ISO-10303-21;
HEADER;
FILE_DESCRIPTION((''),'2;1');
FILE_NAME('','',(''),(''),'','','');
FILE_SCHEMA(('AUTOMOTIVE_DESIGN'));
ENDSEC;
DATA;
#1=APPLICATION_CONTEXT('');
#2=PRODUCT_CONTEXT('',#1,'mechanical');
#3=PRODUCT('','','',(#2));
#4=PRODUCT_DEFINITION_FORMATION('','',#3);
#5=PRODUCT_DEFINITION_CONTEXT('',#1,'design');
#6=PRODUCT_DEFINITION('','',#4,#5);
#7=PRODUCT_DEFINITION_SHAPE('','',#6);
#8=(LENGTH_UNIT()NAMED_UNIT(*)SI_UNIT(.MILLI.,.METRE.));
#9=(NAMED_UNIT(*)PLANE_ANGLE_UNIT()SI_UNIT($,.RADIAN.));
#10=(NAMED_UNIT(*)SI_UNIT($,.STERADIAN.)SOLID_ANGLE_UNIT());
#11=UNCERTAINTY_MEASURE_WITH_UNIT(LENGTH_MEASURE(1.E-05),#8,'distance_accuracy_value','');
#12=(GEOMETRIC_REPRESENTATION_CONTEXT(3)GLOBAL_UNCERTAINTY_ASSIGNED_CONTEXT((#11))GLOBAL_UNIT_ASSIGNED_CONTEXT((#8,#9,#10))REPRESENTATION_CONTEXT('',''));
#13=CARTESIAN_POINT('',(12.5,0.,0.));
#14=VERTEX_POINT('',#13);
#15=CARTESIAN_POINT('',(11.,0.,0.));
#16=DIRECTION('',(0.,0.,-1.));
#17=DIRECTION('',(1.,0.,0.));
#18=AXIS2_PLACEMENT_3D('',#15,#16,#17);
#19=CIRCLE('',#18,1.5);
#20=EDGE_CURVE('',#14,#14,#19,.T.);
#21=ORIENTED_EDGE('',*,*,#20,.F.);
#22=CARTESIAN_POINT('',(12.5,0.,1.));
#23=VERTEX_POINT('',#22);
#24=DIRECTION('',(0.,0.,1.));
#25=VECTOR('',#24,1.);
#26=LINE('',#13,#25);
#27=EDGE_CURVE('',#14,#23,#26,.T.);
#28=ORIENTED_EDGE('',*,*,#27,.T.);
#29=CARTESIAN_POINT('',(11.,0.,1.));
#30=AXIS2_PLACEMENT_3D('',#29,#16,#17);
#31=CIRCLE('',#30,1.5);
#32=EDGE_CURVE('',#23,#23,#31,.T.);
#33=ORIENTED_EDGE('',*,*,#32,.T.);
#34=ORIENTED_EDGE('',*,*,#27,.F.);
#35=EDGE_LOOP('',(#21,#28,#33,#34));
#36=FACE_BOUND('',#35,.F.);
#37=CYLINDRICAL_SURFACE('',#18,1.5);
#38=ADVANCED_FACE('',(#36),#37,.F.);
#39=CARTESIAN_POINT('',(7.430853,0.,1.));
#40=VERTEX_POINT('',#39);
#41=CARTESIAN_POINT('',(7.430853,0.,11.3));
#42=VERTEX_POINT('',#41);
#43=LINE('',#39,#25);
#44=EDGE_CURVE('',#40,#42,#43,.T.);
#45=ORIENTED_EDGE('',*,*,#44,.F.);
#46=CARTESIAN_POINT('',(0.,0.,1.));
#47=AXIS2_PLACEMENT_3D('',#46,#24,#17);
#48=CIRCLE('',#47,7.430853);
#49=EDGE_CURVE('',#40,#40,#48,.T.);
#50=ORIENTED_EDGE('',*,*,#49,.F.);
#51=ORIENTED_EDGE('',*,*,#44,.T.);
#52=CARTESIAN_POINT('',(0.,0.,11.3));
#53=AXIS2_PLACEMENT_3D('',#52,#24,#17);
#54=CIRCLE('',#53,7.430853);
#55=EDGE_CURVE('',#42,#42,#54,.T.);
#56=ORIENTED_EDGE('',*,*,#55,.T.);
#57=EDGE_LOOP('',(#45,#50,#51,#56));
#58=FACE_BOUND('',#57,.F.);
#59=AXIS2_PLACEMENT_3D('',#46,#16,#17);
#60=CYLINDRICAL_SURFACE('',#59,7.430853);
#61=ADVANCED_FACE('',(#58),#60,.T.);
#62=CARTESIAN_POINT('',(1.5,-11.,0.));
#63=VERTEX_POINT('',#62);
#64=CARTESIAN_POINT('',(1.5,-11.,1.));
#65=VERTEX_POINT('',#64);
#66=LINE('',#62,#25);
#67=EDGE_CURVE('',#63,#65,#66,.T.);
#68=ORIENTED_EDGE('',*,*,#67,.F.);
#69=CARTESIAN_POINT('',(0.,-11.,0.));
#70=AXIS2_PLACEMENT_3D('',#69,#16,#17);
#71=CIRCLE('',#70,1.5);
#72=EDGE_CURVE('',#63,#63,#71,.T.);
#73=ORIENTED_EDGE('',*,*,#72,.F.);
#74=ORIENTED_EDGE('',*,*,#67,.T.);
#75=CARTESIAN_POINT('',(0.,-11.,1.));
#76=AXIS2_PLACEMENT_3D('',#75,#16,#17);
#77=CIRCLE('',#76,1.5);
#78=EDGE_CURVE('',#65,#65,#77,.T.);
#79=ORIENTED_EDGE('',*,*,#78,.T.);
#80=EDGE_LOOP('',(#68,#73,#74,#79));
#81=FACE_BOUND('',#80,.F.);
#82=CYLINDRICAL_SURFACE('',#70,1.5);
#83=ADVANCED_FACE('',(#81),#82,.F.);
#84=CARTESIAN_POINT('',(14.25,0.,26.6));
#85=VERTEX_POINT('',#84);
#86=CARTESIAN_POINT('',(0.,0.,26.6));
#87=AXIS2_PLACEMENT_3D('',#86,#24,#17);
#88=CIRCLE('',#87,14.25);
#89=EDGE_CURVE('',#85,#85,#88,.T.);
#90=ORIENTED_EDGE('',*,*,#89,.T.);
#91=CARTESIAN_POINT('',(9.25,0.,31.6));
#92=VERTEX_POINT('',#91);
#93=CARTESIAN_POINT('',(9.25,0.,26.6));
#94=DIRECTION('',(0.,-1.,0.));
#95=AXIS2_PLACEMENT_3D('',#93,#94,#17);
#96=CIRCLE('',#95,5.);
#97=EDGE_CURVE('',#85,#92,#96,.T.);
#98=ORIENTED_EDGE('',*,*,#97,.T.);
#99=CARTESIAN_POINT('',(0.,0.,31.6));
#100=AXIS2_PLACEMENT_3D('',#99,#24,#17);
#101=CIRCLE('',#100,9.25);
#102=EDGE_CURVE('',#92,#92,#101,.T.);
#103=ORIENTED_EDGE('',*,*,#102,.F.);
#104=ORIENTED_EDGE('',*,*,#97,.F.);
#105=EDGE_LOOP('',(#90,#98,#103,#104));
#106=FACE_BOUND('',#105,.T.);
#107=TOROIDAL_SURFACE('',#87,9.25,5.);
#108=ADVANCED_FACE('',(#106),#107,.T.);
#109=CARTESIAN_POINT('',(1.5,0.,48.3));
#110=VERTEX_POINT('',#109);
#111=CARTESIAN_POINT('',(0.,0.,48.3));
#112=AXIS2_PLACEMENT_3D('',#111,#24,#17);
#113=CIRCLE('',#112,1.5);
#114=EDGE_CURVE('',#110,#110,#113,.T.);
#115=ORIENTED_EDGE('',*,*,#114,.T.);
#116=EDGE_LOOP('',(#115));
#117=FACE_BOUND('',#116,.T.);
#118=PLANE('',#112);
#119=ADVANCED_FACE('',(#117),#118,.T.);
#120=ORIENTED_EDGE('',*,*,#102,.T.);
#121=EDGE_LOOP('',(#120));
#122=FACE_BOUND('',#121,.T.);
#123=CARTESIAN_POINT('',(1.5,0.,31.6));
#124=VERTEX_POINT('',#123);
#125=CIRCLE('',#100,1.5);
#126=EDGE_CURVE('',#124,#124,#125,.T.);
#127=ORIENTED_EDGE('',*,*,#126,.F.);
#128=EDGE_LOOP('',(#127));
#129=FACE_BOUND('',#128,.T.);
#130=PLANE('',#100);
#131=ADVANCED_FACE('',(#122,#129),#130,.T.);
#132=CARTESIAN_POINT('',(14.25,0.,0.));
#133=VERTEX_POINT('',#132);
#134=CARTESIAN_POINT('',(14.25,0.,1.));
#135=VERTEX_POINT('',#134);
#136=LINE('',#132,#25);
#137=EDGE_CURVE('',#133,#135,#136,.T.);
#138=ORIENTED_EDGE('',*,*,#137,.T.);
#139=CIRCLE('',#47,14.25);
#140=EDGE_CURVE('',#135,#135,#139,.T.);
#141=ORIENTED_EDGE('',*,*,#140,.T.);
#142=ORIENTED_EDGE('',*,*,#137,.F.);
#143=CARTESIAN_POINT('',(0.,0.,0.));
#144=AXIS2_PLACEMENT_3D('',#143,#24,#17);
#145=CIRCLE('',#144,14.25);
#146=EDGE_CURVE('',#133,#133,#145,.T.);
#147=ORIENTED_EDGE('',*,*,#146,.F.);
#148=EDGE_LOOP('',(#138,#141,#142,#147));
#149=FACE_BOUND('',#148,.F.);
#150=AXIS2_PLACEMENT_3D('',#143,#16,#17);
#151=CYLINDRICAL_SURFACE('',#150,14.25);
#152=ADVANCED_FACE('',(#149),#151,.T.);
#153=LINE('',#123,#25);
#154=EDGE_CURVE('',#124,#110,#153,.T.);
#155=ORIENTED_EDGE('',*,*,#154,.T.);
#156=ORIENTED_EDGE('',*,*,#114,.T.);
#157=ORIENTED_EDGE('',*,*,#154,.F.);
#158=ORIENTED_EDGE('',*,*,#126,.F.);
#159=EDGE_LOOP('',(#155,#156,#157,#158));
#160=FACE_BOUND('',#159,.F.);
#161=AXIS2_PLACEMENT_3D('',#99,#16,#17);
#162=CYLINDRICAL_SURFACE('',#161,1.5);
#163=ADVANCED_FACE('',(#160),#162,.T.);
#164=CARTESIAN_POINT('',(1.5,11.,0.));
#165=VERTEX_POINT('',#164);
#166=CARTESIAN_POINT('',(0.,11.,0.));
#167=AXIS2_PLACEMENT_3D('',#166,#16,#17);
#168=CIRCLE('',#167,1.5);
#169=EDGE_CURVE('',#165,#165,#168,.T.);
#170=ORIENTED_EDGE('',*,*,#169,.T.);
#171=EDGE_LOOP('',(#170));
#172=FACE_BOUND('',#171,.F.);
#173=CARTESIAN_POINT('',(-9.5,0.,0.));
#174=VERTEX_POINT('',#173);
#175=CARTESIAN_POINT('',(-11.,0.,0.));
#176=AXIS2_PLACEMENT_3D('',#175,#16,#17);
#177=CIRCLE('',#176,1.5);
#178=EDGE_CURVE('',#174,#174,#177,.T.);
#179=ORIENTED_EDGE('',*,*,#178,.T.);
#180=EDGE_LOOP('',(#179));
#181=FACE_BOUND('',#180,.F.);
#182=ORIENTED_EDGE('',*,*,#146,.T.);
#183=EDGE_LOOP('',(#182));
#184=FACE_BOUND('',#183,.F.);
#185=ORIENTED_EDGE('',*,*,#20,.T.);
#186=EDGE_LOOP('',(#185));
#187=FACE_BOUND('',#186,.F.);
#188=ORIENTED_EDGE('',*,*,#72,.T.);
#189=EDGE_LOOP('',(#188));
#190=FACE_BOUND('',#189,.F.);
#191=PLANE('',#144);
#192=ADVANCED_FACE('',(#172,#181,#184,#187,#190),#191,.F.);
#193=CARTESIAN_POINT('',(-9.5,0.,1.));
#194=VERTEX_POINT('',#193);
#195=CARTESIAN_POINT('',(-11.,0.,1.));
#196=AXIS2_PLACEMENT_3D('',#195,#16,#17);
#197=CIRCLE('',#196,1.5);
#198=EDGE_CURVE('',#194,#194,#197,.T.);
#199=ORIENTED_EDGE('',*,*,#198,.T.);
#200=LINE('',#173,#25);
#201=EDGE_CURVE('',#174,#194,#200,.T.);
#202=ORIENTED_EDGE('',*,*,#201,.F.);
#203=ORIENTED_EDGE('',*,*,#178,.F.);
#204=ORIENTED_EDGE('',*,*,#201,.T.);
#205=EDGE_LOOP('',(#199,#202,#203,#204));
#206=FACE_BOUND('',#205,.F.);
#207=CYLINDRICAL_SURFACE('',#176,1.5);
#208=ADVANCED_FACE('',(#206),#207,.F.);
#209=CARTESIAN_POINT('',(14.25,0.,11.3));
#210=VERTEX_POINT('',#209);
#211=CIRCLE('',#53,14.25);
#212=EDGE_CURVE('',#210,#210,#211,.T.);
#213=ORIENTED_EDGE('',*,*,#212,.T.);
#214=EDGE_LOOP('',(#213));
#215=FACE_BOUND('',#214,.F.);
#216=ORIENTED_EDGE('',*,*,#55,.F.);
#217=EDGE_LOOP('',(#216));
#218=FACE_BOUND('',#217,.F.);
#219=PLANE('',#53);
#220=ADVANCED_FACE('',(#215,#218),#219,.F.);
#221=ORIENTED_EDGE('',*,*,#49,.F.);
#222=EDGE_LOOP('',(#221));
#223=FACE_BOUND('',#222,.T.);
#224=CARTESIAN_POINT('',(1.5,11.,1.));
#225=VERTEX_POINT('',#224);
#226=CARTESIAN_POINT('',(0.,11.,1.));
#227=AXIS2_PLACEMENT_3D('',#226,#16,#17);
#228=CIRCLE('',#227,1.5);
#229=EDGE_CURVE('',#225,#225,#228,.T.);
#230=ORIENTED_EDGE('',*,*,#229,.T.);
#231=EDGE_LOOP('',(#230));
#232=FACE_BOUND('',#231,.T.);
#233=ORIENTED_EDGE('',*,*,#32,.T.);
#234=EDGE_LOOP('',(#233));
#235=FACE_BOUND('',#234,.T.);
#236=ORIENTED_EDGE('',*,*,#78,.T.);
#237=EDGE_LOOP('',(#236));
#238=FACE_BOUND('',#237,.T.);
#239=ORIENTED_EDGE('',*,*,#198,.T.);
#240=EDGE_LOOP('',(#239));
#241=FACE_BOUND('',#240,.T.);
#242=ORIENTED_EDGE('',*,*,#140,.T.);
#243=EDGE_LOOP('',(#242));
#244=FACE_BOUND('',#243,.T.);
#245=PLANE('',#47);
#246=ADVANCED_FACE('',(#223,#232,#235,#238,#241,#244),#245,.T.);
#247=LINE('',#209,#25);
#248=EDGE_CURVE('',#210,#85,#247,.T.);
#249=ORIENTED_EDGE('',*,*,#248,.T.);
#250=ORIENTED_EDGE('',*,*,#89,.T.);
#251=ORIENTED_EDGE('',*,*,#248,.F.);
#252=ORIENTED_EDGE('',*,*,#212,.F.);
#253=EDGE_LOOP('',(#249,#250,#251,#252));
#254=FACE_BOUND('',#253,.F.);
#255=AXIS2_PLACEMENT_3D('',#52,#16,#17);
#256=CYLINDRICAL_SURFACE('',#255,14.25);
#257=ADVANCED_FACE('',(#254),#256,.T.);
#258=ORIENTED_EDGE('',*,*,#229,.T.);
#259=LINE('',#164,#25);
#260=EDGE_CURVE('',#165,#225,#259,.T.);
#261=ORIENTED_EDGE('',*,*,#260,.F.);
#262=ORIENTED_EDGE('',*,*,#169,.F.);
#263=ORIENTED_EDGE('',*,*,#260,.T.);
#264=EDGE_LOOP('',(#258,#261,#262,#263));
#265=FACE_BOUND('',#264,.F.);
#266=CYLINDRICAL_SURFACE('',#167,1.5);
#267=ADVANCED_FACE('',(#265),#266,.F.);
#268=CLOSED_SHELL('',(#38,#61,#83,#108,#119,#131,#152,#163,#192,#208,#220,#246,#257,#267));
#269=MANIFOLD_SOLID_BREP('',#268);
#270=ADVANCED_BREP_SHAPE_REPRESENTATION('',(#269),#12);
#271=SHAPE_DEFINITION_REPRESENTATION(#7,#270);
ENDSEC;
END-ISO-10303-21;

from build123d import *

# Parameters (mm, degrees)
F0_R      = 14.25
F1_DEPTH  = 1
F2_R      = 7.430853
F3_DEPTH  = 10.3
F4_R      = 14.25
F5_DEPTH  = 20.3
F6_R      = 5
F7_R      = 1.5
F8_DEPTH  = 16.7
F9_R      = 1.5
F10_DEPTH = 1


with BuildPart() as f1:
    # F0 (on Top) → F1 (new body)
    with BuildSketch(Plane.XY):
        Circle(F0_R)
    extrude(amount=F1_DEPTH)

    # F2 (on face) → F3 (join)
    with BuildSketch(Plane.XY.offset(1)):
        Circle(F2_R)
    extrude(amount=F3_DEPTH)

    # F4 (on face) → F5 (join)
    with BuildSketch(Plane.XY.offset(11.3)):
        Circle(F4_R)
    extrude(amount=F5_DEPTH)

    # F6
    f6_edges = [f1.edges().sort_by_distance(p)[0] for p in [
        (-14.25, 0, 31.6),
    ]]
    fillet(f6_edges, radius=F6_R)

    # F7 (on face) → F8 (join)
    with BuildSketch(Plane.XY.offset(31.6)):
        Circle(F7_R)
    extrude(amount=F8_DEPTH)

    # F9 (on face) → F10 (cut, through all)
    with BuildSketch(Plane(origin=(0, 0, 0), x_dir=(1, 0, 0), z_dir=(0, 0, -1))):
        with Locations((0, 11)):
            Circle(F9_R)
        with Locations((11, 0)):
            Circle(F9_R)
        with Locations((-11, 0)):
            Circle(F9_R)
        with Locations((0, -11)):
            Circle(F9_R)
    extrude(amount=-F10_DEPTH, mode=Mode.SUBTRACT)


solid = f1.part
